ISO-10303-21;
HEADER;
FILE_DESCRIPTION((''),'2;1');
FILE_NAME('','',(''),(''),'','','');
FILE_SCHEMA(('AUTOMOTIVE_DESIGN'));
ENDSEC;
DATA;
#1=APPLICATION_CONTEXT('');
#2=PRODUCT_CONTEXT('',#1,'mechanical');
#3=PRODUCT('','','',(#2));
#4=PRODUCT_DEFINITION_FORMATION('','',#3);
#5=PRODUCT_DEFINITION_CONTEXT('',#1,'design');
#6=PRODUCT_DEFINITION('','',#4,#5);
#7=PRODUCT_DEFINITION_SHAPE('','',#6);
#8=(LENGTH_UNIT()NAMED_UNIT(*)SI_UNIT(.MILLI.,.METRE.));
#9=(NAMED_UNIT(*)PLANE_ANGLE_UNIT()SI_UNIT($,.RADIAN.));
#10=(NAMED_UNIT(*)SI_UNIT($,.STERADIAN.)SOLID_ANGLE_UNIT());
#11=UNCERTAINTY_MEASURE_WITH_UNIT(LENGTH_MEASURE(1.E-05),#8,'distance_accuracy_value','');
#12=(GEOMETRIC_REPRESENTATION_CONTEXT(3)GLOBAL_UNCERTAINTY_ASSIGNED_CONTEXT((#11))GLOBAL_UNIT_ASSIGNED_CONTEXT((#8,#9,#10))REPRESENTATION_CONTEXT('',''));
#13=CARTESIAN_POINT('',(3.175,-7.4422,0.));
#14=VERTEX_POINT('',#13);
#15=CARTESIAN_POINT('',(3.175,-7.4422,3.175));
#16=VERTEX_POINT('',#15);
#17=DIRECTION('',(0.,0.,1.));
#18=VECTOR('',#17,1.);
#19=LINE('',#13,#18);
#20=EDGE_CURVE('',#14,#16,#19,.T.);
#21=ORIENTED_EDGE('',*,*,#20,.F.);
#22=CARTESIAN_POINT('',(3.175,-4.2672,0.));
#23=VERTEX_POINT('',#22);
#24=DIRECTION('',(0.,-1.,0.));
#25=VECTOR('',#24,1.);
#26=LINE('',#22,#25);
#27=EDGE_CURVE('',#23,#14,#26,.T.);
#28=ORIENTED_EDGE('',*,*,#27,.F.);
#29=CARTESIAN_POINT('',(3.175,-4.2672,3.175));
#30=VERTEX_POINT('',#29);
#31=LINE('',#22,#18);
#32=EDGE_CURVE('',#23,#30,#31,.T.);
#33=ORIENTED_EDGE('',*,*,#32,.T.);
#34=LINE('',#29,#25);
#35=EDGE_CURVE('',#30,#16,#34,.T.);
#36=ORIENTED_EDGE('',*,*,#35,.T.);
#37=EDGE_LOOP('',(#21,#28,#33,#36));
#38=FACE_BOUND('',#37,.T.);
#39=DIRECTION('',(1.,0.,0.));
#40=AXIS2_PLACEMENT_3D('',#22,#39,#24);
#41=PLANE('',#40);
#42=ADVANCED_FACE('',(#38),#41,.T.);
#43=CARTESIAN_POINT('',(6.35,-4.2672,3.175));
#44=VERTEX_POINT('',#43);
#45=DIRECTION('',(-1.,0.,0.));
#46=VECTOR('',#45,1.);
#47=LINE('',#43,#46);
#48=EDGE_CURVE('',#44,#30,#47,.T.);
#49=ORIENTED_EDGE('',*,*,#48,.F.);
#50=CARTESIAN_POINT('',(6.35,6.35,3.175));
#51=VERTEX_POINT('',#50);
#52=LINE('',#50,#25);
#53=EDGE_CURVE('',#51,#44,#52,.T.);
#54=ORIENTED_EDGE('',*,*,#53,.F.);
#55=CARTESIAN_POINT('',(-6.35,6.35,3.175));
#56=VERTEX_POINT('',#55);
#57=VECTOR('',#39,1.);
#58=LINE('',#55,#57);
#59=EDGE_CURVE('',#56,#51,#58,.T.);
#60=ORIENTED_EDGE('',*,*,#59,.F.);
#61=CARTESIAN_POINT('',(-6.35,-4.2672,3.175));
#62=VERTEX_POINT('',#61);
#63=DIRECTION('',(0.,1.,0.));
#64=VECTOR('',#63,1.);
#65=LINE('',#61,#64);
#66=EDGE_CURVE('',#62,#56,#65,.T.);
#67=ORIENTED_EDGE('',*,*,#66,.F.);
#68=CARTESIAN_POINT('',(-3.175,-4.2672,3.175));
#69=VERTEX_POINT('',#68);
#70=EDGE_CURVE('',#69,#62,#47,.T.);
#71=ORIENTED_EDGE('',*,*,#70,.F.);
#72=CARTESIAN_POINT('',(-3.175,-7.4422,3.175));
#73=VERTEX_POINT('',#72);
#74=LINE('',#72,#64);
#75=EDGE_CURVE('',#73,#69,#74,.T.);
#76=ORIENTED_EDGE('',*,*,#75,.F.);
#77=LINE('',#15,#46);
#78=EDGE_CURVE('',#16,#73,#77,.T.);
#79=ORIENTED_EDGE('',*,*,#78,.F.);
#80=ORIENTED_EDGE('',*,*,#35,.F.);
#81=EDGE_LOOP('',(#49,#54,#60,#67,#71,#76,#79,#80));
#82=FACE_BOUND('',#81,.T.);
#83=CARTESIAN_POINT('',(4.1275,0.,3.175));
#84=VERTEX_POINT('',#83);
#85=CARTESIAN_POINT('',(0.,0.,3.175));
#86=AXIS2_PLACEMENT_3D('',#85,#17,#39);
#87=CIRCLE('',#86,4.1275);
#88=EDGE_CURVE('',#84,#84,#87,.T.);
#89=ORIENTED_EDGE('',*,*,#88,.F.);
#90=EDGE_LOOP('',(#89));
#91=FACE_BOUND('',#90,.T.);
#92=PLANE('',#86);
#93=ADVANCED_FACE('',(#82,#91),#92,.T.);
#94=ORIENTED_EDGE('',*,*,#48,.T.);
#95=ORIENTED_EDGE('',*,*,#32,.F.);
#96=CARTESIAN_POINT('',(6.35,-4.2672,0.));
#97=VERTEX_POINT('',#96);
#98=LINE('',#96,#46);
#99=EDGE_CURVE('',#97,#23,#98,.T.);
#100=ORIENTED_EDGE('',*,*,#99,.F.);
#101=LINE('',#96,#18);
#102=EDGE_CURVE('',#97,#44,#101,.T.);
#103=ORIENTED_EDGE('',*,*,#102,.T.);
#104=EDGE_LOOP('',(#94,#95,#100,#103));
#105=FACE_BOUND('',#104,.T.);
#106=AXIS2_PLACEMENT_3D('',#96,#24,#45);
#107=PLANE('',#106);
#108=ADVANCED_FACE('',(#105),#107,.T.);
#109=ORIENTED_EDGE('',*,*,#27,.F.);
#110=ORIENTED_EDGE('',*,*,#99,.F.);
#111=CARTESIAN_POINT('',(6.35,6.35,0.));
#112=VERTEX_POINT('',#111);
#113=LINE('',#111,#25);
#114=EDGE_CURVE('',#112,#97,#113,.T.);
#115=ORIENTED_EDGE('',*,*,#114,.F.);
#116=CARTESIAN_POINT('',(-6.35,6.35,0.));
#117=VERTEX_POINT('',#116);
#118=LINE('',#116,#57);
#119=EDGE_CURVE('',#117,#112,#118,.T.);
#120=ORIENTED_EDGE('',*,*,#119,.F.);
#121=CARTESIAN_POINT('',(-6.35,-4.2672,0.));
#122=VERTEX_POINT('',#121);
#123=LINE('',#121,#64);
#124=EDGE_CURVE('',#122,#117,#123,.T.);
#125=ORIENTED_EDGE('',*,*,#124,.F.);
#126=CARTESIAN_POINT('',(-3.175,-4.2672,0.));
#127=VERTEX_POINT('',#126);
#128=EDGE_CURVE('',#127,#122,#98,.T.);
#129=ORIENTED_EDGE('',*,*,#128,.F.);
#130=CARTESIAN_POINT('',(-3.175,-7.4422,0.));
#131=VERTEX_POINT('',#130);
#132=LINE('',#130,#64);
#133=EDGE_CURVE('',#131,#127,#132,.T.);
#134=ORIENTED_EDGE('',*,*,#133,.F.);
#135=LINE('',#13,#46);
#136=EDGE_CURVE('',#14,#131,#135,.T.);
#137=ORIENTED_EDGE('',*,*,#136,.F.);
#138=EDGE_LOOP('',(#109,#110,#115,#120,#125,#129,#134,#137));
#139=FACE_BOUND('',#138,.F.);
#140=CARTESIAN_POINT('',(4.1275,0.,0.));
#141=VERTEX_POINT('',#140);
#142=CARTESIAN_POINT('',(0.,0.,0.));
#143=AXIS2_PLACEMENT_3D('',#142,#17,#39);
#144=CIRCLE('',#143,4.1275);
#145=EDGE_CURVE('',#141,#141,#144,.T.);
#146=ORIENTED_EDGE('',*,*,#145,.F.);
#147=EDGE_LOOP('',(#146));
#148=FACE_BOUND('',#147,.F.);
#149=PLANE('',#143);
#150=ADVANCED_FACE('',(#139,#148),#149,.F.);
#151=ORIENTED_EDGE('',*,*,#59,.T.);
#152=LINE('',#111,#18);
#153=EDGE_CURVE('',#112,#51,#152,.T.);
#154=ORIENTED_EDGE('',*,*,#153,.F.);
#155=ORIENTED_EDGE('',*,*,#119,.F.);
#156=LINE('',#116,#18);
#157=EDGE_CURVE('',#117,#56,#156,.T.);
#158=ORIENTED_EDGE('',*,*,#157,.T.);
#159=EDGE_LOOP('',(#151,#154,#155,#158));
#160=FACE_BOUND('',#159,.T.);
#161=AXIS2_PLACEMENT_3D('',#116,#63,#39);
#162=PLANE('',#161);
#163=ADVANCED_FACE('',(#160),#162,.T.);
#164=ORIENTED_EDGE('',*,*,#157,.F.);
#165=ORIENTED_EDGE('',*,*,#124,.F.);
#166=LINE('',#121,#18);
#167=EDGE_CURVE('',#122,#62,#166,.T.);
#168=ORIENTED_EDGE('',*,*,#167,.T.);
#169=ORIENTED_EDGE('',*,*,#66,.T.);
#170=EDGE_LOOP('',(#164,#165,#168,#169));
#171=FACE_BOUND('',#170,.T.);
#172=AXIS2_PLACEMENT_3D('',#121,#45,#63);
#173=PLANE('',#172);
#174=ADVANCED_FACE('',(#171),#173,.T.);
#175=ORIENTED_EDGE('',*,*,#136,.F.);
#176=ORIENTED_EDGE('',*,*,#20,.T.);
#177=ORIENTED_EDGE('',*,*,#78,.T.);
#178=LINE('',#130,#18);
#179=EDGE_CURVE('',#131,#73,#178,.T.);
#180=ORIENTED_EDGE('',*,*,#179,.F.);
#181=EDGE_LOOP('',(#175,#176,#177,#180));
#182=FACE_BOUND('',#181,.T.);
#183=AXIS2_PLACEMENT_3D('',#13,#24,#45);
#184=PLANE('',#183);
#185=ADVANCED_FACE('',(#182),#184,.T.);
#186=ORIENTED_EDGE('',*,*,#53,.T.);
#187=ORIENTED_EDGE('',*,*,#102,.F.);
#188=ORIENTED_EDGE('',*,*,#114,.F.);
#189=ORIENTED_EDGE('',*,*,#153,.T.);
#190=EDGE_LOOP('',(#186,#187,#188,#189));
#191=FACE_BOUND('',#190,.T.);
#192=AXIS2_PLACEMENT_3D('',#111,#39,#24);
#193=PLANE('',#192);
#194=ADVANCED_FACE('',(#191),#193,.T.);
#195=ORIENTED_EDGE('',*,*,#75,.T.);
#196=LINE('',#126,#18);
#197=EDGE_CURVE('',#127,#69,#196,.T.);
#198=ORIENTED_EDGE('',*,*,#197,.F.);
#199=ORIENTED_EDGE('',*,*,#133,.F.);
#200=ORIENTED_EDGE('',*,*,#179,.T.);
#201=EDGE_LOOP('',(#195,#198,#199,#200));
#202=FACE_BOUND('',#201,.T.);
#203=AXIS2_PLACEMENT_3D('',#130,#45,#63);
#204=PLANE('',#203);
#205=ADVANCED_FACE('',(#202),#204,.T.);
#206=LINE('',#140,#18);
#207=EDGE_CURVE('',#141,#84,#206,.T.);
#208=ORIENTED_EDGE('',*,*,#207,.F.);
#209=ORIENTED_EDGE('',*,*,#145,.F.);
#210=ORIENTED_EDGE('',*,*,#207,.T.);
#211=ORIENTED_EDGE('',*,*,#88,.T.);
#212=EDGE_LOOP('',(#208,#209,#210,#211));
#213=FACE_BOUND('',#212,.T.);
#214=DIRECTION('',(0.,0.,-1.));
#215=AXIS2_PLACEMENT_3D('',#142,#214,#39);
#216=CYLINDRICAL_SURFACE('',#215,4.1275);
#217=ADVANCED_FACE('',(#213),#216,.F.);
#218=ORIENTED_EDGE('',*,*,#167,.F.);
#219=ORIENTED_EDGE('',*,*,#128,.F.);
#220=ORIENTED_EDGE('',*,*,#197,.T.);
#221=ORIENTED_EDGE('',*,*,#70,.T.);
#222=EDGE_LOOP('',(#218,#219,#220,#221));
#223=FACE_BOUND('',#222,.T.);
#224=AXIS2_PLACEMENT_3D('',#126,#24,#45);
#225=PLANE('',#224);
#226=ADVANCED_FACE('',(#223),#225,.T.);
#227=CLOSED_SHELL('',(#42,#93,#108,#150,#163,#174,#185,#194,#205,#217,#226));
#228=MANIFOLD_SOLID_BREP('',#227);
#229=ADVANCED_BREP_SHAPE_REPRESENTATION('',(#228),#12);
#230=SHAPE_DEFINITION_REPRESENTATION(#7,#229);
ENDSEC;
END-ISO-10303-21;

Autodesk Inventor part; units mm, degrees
ref_plane "YZ Plane" through (0, 0, 0) normal (1, 0, 0) x (0, 1, 0)
ref_plane "XZ Plane" through (0, 0, 0) normal (0, 1, 0) x (-1, 0, 0)
ref_plane "XY Plane" through (0, 0, 0) normal (0, 0, 1) x (1, 0, 0)
sketch "Sketch1" plane through (0, 0, 0) normal (0, 0, 1) x (1, 0, 0)
  circle A0 centre (0, 0) radius 4.1275
  line L0 (-6.35, 6.35) -> (6.35, 6.35)
  line L1 (6.35, 6.35) -> (6.35, -4.2672)
  line L2 (6.35, -4.2672) -> (-6.35, -4.2672)
  line L3 (-6.35, -4.2672) -> (-6.35, 6.35)
  line L4 (-3.175, -4.2672) -> (3.175, -4.2672)
  line L5 (3.175, -4.2672) -> (3.175, -7.4422)
  line L6 (3.175, -7.4422) -> (-3.175, -7.4422)
  line L7 (-3.175, -7.4422) -> (-3.175, -4.2672)
  dimension "d0" = 8.255
  dimension "d1" = 4.2672
  dimension "d2" = 6.35
  dimension "d3" = 6.35
  dimension "d4" = 6.35
  dimension "d5" = 3.175
  dimension "d6" = 3.175
  dimension "d7" = 3.175
extrude "Extrusion1" add sketch "Sketch1" along normal blind 3.175
properties part number "rod holder"
